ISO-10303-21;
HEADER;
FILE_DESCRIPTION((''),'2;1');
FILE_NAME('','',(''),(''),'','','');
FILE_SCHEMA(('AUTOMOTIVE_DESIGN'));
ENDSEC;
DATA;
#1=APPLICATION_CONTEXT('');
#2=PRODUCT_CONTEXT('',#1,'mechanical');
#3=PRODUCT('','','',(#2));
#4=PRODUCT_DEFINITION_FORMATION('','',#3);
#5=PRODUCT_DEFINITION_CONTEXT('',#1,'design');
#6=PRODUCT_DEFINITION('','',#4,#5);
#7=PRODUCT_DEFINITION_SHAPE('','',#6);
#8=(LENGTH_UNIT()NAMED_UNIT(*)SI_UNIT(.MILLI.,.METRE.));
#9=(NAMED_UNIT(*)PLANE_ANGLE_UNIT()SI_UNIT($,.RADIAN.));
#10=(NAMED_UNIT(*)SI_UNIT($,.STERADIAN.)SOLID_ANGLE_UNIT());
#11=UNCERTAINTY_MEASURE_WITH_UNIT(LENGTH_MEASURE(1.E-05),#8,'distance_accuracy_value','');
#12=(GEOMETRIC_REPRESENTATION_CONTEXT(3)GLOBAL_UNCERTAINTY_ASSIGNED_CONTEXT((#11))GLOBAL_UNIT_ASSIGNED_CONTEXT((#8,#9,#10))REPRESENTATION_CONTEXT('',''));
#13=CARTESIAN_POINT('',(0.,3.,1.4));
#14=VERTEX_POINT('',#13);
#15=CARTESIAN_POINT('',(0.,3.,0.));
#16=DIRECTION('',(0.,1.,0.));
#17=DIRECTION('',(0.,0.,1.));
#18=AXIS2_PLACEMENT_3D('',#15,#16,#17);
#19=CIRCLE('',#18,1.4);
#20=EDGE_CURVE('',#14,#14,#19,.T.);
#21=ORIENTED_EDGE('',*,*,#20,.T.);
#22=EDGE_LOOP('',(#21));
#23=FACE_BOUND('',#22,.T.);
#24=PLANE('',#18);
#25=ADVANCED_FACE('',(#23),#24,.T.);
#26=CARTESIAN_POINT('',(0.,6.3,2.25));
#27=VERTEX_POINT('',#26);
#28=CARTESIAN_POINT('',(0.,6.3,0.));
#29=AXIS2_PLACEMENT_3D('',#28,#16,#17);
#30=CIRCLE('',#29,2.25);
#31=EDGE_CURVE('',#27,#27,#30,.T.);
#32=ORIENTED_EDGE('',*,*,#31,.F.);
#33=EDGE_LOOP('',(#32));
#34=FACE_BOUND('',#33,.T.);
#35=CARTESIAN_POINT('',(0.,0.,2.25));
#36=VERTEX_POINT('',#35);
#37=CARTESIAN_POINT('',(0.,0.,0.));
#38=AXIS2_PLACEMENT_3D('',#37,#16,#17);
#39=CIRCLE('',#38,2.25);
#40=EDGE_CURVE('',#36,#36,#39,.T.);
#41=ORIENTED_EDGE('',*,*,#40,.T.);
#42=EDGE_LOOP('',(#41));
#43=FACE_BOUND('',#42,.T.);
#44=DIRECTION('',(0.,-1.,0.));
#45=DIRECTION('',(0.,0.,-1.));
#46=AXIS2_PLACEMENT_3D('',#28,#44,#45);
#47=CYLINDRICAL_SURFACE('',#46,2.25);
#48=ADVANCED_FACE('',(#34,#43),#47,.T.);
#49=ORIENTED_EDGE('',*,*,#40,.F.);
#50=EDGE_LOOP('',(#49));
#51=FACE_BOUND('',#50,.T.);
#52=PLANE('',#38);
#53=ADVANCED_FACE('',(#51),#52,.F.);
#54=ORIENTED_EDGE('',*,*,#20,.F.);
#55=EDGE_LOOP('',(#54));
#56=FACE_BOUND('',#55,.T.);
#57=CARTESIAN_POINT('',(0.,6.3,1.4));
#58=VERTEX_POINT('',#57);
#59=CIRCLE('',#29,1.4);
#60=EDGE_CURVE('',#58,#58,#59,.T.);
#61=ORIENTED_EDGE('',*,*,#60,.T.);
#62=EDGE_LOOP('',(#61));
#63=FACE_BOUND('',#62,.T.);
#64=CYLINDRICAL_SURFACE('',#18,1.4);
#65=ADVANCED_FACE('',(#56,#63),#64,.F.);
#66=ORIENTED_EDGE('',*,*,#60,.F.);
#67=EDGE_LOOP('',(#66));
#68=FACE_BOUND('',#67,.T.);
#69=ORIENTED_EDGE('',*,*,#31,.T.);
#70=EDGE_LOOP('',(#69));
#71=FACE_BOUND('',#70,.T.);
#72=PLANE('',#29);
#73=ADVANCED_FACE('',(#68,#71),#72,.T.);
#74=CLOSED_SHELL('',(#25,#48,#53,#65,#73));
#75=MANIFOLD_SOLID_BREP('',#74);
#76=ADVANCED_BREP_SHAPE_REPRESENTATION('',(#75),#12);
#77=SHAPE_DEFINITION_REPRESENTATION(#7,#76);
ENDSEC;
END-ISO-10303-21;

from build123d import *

# Parameters (mm, degrees)
SKETCH_1_R          = 2.25
EXTRUDE_1_DEPTH     = 6.3
SKETCH_2_R          = 1.4
CUT_EXTRUDE_2_DEPTH = 3.3


with BuildPart() as part:
    # 草图1 → 拉伸1 (new body)
    with BuildSketch(Plane(origin=(0, 0, 0), x_dir=(1, 0, 0), z_dir=(0, 1, 0))):
        with Locations(Location((0, 0, 0), (0, 0, 270))):
            Circle(SKETCH_1_R)
    extrude(amount=EXTRUDE_1_DEPTH)

    # 草图2 → 拉伸2 (cut)
    with BuildSketch(Plane(origin=(0, 6.3, 0), x_dir=(1, 0, 0), z_dir=(0, 1, 0))):
        with Locations(Location((0, 0, 0), (0, 0, 270))):
            Circle(SKETCH_2_R)
    extrude(amount=-CUT_EXTRUDE_2_DEPTH, mode=Mode.SUBTRACT)


solid = part.part
